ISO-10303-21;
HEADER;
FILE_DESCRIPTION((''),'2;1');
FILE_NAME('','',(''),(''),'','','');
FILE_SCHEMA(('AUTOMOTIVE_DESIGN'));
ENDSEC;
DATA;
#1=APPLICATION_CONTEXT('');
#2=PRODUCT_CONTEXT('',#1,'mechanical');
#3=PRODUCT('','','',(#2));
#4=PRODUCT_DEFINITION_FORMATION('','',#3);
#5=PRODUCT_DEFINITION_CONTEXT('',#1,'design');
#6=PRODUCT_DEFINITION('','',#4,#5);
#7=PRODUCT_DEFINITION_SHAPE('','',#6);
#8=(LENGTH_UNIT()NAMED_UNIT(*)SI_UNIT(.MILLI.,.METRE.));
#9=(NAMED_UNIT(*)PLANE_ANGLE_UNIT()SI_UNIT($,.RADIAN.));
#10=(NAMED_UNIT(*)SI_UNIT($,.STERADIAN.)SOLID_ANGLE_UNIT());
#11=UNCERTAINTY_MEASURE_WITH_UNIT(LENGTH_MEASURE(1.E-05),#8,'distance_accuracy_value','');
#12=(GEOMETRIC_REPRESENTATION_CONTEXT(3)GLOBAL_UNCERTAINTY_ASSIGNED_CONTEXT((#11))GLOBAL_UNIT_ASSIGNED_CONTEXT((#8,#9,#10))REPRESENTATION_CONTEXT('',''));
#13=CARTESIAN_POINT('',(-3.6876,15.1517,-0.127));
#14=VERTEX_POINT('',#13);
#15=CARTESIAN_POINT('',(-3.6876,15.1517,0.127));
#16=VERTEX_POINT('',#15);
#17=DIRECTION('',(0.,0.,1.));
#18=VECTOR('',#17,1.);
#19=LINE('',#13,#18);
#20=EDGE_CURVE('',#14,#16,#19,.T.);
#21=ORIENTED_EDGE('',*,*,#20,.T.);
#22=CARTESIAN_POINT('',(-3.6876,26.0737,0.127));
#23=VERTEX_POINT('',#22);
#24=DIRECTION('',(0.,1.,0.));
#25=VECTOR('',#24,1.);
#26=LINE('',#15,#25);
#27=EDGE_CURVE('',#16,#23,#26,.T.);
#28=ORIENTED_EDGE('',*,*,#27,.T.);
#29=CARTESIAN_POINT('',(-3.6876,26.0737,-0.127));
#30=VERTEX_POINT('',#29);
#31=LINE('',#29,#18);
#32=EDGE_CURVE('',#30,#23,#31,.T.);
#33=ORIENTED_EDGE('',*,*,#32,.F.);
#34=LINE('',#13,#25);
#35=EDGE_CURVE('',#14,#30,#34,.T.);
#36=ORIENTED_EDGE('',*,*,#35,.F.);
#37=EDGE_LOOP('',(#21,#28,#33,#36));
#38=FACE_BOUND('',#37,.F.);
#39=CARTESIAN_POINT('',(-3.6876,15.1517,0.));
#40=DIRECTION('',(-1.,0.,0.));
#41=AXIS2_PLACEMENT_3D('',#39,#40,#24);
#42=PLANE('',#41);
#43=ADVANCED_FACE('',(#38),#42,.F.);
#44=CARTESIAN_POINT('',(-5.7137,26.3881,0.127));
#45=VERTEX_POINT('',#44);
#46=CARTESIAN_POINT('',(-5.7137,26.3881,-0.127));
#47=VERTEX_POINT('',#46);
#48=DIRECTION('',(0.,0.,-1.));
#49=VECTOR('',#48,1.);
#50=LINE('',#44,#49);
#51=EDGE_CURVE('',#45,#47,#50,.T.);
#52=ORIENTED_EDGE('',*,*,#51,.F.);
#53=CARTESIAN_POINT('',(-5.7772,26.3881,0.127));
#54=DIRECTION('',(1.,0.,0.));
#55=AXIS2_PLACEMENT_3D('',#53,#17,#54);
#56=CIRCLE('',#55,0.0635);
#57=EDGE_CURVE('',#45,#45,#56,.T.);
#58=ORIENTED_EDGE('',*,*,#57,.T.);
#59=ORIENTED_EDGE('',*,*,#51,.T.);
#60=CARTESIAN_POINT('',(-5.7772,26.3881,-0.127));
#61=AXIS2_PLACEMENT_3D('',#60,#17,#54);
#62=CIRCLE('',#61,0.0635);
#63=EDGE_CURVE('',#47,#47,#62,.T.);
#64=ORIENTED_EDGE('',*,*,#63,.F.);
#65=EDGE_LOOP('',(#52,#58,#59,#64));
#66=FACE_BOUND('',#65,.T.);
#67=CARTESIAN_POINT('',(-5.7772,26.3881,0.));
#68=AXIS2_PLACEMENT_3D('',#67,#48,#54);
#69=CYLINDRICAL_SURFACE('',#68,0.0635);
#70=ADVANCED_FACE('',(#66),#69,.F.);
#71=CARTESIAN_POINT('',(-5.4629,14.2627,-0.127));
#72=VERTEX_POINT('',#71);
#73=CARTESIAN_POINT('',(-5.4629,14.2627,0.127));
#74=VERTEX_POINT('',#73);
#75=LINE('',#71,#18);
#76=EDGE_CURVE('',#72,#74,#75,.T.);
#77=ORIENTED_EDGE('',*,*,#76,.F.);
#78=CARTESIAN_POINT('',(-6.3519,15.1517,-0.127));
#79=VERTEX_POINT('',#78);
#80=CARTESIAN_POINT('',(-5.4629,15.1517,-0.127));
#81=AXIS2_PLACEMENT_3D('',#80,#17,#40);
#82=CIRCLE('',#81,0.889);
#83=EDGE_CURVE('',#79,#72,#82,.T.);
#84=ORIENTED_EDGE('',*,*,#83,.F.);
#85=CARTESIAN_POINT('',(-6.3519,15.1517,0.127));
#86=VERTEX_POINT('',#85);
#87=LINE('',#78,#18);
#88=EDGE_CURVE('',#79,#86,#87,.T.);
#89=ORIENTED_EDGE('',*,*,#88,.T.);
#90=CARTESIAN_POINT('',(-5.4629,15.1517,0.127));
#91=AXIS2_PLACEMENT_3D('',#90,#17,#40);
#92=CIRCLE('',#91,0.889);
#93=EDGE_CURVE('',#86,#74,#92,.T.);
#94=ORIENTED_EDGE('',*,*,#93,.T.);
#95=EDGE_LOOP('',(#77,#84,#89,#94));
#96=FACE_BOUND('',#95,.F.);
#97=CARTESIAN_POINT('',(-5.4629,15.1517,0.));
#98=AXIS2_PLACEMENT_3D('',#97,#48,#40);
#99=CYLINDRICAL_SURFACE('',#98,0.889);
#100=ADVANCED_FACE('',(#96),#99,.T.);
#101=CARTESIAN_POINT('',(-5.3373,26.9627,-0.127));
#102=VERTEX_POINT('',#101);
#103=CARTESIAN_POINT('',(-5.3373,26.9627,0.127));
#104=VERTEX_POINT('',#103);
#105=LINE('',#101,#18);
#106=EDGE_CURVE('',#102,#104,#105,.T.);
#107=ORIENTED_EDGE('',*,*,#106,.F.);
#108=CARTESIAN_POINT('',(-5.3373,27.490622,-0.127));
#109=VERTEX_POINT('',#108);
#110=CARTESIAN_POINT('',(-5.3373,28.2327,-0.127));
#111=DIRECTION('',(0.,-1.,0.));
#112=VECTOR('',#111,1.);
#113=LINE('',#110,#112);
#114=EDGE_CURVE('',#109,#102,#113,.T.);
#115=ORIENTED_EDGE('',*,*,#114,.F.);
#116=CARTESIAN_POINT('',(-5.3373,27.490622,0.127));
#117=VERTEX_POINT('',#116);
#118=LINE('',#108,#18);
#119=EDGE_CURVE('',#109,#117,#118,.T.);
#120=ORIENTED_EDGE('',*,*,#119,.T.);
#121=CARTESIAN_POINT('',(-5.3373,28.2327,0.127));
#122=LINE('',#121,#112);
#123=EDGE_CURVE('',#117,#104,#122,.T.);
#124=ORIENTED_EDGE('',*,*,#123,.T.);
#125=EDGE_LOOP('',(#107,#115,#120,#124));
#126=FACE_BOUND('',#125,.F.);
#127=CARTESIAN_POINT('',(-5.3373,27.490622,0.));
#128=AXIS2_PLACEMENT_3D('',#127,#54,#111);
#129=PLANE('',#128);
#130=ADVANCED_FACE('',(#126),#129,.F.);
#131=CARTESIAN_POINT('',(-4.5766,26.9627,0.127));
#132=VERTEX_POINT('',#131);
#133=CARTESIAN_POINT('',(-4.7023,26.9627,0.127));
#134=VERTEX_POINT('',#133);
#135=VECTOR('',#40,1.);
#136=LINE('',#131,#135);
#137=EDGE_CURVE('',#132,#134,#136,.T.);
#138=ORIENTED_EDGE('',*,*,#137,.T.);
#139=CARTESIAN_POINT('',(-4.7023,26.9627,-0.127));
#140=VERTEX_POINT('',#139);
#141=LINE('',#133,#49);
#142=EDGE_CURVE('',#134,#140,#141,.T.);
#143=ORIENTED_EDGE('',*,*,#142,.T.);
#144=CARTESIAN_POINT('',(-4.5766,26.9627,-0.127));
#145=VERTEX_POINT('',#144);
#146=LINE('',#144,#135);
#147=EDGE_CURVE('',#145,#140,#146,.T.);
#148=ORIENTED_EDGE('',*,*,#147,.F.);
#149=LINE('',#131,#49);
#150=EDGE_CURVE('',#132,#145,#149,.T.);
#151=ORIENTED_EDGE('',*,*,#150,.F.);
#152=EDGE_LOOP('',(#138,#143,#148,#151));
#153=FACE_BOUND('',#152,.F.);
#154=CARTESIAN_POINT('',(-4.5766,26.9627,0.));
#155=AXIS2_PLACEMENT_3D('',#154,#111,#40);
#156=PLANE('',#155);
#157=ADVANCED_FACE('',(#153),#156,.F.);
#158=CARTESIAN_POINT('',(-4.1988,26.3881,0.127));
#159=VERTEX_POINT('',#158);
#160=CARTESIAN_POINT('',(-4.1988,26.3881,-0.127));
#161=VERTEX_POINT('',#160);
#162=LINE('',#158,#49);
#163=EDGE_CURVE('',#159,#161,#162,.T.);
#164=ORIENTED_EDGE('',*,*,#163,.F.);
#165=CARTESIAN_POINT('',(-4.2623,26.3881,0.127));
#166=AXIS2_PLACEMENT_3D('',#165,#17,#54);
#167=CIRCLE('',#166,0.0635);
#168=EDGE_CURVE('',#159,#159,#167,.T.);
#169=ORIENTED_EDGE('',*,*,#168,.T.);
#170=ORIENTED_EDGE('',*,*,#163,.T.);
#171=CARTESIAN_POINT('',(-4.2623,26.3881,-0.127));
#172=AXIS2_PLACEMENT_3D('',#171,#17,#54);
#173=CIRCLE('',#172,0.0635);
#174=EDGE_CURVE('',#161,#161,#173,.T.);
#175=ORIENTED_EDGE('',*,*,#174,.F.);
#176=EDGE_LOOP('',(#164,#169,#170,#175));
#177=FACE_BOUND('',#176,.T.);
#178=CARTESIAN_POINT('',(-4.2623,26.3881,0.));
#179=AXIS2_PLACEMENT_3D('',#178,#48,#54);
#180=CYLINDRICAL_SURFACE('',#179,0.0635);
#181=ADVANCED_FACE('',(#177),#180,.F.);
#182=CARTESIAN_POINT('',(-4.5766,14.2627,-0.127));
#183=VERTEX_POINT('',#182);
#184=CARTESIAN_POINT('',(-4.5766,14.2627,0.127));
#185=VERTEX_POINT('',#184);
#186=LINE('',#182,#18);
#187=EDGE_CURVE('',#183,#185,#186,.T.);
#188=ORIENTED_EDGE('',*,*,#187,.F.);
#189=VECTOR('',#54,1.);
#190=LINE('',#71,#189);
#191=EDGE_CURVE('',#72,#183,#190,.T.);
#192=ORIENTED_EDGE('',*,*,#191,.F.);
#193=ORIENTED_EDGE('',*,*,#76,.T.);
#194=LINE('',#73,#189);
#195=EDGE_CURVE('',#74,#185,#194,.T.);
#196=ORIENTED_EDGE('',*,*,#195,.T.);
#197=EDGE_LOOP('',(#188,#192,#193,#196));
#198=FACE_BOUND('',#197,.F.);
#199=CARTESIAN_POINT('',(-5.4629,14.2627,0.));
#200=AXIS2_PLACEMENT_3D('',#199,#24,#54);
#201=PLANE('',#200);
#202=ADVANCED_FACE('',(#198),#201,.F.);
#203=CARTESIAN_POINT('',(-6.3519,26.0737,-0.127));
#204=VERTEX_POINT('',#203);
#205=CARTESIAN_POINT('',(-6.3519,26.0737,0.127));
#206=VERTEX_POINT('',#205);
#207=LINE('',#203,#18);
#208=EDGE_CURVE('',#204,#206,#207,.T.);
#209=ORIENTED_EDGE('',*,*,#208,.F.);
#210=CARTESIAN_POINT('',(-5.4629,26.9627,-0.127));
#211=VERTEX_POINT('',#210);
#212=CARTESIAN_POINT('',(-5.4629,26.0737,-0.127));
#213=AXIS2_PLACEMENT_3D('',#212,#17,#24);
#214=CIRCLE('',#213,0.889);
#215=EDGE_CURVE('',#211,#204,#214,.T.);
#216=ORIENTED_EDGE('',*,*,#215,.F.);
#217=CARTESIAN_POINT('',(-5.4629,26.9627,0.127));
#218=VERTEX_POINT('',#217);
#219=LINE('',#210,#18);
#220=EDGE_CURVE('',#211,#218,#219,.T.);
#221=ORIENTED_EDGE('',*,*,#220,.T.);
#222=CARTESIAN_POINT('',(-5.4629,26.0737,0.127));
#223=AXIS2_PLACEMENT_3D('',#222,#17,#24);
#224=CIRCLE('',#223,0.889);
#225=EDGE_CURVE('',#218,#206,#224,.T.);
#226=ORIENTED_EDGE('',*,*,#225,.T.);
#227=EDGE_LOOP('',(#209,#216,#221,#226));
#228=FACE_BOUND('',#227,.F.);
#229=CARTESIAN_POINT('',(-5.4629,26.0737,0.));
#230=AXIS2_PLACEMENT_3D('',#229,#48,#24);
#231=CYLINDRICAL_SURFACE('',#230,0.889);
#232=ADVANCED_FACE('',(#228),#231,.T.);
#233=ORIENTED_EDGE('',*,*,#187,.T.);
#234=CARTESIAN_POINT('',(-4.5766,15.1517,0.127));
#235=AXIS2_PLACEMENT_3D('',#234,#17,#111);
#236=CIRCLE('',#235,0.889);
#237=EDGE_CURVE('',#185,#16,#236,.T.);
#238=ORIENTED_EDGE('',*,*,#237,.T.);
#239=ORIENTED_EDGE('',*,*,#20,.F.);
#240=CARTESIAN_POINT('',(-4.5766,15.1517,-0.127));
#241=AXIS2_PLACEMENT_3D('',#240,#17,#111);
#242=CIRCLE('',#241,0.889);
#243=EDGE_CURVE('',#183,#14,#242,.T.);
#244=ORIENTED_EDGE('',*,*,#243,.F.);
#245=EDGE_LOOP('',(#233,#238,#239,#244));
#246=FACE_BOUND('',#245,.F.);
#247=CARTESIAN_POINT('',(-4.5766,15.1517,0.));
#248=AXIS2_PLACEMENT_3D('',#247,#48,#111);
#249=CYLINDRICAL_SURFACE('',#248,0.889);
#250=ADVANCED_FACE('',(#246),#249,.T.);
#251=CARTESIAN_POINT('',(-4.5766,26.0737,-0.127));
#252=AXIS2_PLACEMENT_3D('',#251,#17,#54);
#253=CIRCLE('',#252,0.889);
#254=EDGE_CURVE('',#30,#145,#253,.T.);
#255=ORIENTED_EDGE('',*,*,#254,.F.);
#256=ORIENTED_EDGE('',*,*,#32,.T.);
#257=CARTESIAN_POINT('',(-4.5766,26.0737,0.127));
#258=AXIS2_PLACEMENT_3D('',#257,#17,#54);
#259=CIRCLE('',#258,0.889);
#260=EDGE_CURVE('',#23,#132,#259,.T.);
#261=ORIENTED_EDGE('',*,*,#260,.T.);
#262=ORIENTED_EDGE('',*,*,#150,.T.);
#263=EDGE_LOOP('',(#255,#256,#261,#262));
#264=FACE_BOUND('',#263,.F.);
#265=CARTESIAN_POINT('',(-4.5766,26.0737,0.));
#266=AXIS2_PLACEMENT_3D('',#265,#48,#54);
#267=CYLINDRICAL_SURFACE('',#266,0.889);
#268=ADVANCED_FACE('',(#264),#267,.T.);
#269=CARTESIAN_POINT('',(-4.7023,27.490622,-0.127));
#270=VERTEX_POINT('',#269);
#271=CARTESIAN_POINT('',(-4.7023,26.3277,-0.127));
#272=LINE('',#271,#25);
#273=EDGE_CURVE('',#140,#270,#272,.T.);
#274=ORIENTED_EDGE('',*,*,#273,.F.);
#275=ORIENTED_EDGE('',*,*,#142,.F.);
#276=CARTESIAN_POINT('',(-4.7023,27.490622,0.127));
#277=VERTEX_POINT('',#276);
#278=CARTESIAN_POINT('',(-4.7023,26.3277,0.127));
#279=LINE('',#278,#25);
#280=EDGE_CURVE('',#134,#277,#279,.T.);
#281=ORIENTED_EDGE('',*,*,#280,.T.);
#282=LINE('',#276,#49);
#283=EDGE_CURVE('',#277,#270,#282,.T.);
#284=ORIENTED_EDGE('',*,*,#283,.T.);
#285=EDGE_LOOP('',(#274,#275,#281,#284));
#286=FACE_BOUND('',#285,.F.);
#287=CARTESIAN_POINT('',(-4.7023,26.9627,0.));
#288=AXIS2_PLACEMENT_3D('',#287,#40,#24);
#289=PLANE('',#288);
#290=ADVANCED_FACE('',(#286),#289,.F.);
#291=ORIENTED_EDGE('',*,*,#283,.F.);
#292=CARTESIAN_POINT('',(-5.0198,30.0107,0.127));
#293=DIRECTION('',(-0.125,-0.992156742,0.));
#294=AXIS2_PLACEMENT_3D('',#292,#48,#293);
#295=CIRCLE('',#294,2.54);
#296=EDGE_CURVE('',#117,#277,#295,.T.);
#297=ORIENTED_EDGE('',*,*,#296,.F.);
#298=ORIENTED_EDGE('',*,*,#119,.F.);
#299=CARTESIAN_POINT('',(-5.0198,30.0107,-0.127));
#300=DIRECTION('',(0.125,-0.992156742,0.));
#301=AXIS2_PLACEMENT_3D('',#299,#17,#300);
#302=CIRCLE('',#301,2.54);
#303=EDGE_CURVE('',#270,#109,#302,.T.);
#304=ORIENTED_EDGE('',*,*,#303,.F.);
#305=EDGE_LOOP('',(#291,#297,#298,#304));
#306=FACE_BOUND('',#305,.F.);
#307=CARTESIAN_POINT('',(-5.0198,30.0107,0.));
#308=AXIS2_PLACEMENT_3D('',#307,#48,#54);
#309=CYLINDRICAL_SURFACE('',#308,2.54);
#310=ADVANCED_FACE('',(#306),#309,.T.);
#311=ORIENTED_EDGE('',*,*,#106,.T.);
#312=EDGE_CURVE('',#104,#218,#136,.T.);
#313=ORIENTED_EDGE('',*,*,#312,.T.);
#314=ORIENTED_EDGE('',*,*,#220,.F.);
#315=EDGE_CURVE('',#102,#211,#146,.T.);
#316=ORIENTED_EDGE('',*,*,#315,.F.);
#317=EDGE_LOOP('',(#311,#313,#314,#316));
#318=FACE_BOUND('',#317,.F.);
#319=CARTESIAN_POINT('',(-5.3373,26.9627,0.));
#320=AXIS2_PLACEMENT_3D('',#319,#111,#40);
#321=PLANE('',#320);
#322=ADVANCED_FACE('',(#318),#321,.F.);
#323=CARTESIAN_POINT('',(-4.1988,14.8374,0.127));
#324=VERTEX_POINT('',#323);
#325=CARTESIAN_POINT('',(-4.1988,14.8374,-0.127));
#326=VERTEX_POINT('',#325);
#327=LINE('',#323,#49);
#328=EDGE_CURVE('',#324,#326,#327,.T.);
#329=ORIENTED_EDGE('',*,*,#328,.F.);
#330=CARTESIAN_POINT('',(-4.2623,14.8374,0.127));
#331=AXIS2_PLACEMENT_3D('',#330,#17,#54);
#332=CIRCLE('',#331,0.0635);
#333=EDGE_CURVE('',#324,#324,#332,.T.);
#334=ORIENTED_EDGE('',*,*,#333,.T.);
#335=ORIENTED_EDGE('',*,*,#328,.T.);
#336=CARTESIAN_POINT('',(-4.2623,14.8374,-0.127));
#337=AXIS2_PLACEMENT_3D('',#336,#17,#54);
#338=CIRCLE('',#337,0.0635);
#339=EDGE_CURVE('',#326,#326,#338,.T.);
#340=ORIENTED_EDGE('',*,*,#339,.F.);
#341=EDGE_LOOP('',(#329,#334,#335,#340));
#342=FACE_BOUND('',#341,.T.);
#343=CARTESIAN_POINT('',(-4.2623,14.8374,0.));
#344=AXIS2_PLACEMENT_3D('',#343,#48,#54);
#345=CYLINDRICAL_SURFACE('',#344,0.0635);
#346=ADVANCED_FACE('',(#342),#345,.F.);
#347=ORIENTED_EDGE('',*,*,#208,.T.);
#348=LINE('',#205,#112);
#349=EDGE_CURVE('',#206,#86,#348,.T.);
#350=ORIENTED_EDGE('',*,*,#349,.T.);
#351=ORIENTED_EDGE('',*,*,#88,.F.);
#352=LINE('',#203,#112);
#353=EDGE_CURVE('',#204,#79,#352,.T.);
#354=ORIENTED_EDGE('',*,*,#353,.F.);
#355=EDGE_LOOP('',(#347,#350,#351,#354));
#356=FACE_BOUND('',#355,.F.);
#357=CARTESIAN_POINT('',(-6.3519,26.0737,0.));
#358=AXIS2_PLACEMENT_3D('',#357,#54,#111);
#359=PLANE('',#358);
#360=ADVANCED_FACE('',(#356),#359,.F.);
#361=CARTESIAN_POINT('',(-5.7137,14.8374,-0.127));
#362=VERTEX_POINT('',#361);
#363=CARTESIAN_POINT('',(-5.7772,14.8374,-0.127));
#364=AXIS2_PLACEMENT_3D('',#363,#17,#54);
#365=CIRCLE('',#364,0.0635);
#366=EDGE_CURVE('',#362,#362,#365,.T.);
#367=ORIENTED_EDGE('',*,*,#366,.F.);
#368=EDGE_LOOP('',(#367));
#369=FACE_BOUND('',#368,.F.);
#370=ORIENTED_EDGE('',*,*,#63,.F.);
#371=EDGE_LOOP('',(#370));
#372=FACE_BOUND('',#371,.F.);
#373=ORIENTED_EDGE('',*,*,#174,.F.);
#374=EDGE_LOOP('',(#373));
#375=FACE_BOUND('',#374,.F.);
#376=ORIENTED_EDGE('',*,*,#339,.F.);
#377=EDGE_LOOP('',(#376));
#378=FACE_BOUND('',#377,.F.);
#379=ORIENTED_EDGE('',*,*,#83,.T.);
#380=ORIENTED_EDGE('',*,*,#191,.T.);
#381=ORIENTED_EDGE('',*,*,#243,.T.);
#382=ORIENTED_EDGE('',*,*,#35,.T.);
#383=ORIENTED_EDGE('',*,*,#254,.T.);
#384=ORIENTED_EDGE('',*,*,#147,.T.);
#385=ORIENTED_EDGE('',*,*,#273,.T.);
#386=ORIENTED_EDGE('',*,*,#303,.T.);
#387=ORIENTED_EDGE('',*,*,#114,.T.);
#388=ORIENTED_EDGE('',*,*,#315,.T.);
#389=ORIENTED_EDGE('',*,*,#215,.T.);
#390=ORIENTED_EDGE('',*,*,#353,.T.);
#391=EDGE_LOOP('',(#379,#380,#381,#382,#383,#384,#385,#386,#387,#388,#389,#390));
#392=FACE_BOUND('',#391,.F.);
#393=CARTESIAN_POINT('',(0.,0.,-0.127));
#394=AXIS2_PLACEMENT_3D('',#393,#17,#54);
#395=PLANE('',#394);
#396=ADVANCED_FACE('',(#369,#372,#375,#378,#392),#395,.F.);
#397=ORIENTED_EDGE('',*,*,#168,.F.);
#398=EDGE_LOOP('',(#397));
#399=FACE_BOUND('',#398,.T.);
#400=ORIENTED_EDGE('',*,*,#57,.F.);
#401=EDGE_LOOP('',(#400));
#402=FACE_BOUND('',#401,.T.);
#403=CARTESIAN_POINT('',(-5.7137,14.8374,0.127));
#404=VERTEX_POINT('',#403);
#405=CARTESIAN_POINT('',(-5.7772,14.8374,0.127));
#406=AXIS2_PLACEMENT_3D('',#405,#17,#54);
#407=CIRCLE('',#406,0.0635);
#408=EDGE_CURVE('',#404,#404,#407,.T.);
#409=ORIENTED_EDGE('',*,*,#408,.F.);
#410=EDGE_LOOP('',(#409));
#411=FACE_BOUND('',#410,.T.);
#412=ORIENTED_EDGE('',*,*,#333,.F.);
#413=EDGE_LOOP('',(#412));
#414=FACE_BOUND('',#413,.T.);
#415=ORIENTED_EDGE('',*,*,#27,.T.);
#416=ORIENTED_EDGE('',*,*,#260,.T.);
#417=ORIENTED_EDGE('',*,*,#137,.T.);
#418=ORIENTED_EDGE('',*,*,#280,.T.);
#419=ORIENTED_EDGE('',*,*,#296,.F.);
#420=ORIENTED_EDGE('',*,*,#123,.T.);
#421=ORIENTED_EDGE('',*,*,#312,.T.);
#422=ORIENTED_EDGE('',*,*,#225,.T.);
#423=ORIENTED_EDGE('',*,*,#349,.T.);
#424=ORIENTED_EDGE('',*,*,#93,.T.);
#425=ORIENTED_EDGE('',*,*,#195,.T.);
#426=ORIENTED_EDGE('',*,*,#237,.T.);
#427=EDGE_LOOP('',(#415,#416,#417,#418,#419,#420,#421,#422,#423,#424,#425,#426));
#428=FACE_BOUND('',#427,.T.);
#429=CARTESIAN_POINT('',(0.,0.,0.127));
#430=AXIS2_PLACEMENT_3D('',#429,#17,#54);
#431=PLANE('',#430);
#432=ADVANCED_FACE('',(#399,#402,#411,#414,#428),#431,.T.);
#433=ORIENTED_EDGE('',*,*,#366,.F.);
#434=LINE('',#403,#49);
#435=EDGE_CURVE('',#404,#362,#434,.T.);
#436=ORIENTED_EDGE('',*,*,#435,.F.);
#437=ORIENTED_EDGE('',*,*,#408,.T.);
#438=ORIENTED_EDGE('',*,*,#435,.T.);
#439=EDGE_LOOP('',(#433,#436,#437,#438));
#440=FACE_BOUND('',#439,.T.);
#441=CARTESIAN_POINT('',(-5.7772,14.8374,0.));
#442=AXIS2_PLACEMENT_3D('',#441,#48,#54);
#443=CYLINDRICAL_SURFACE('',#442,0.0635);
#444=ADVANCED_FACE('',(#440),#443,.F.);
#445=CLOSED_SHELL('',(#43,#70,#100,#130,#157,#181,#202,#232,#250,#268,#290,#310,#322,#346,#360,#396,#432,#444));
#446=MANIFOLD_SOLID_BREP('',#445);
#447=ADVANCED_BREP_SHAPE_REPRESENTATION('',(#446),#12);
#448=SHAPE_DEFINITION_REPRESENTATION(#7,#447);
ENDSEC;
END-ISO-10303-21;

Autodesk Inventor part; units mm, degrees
ref_plane "YZ Plane" through (0, 0, 0) normal (1, 0, 0) x (0, 1, 0)
ref_plane "XZ Plane" through (0, 0, 0) normal (0, 1, 0) x (-1, 0, 0)
ref_plane "XY Plane" through (0, 0, 0) normal (0, 0, 1) x (1, 0, 0)
sketch "Sketch2" plane through (0, 0, 0) normal (0, 0, 1) x (1, 0, 0)
  line L0 (-4.7023, 28.2327) -> (-5.3373, 28.2327)
  line L1 (-5.3373, 28.2327) -> (-5.3373, 26.3277)
  line L2 (-4.7023, 26.3277) -> (-4.7023, 28.2327)
  line L3 (-5.3373, 26.3277) -> (-4.7023, 26.3277)
  arc A0 (-5.4629, 26.9627) -> (-6.3519, 26.0737) centre (-5.4629, 26.0737) ccw
  line L4 (-4.5766, 26.9627) -> (-5.4629, 26.9627)
  arc A1 (-3.6876, 26.0737) -> (-4.5766, 26.9627) centre (-4.5766, 26.0737) ccw
  line L5 (-3.6876, 15.1517) -> (-3.6876, 26.0737)
  arc A2 (-4.5766, 14.2627) -> (-3.6876, 15.1517) centre (-4.5766, 15.1517) ccw
  line L6 (-5.4629, 14.2627) -> (-4.5766, 14.2627)
  arc A3 (-6.3519, 15.1517) -> (-5.4629, 14.2627) centre (-5.4629, 15.1517) ccw
  line L7 (-6.3519, 26.0737) -> (-6.3519, 15.1517)
  line L8 (-6.3519, 14.2627) -> (-3.6876, 26.9627) construction
  line L9 (-3.6876, 14.2627) -> (-6.3519, 26.9627) construction
  line L10 (-5.3373, 26.3277) -> (-4.7023, 28.2327) construction
  line L11 (-4.7023, 26.3277) -> (-5.3373, 28.2327) construction
  circle A4 centre (-5.0198, 30.0107) radius 2.54
  circle A5 centre (-5.7772, 26.3881) radius 0.0635
  line L12 (-5.4629, 26.0737) -> (-6.0915, 26.7024) construction
  line L13 (-5.0198, 20.6127) -> (-3.948, 20.6127)
  line L14 (-3.948, 20.6127) -> (-5.0198, 20.6127)
  line L15 (-5.0198, 20.6127) -> (-5.0198, 22.4129)
  circle A6 centre (-4.2623, 26.3881) radius 0.0635
  circle A7 centre (-5.7772, 14.8374) radius 0.0635
  circle A8 centre (-4.2623, 14.8374) radius 0.0635
  point P0 (0, 0)
  point P1 (-5.3373, 26.9627)
  point P2 (-4.7023, 26.9627)
  point P3 (-4.7023, 27.4907)
  point P4 (-5.3373, 27.4907)
  dimension "d7" = 5.08
  dimension "d8" = 3.048
  dimension "d9" = 0.127
  dimension "d10" = 0.4445
extrude "Extrusion1" add sketch "Sketch2" along normal mid plane 0.254
properties material "ABS Plastic"
